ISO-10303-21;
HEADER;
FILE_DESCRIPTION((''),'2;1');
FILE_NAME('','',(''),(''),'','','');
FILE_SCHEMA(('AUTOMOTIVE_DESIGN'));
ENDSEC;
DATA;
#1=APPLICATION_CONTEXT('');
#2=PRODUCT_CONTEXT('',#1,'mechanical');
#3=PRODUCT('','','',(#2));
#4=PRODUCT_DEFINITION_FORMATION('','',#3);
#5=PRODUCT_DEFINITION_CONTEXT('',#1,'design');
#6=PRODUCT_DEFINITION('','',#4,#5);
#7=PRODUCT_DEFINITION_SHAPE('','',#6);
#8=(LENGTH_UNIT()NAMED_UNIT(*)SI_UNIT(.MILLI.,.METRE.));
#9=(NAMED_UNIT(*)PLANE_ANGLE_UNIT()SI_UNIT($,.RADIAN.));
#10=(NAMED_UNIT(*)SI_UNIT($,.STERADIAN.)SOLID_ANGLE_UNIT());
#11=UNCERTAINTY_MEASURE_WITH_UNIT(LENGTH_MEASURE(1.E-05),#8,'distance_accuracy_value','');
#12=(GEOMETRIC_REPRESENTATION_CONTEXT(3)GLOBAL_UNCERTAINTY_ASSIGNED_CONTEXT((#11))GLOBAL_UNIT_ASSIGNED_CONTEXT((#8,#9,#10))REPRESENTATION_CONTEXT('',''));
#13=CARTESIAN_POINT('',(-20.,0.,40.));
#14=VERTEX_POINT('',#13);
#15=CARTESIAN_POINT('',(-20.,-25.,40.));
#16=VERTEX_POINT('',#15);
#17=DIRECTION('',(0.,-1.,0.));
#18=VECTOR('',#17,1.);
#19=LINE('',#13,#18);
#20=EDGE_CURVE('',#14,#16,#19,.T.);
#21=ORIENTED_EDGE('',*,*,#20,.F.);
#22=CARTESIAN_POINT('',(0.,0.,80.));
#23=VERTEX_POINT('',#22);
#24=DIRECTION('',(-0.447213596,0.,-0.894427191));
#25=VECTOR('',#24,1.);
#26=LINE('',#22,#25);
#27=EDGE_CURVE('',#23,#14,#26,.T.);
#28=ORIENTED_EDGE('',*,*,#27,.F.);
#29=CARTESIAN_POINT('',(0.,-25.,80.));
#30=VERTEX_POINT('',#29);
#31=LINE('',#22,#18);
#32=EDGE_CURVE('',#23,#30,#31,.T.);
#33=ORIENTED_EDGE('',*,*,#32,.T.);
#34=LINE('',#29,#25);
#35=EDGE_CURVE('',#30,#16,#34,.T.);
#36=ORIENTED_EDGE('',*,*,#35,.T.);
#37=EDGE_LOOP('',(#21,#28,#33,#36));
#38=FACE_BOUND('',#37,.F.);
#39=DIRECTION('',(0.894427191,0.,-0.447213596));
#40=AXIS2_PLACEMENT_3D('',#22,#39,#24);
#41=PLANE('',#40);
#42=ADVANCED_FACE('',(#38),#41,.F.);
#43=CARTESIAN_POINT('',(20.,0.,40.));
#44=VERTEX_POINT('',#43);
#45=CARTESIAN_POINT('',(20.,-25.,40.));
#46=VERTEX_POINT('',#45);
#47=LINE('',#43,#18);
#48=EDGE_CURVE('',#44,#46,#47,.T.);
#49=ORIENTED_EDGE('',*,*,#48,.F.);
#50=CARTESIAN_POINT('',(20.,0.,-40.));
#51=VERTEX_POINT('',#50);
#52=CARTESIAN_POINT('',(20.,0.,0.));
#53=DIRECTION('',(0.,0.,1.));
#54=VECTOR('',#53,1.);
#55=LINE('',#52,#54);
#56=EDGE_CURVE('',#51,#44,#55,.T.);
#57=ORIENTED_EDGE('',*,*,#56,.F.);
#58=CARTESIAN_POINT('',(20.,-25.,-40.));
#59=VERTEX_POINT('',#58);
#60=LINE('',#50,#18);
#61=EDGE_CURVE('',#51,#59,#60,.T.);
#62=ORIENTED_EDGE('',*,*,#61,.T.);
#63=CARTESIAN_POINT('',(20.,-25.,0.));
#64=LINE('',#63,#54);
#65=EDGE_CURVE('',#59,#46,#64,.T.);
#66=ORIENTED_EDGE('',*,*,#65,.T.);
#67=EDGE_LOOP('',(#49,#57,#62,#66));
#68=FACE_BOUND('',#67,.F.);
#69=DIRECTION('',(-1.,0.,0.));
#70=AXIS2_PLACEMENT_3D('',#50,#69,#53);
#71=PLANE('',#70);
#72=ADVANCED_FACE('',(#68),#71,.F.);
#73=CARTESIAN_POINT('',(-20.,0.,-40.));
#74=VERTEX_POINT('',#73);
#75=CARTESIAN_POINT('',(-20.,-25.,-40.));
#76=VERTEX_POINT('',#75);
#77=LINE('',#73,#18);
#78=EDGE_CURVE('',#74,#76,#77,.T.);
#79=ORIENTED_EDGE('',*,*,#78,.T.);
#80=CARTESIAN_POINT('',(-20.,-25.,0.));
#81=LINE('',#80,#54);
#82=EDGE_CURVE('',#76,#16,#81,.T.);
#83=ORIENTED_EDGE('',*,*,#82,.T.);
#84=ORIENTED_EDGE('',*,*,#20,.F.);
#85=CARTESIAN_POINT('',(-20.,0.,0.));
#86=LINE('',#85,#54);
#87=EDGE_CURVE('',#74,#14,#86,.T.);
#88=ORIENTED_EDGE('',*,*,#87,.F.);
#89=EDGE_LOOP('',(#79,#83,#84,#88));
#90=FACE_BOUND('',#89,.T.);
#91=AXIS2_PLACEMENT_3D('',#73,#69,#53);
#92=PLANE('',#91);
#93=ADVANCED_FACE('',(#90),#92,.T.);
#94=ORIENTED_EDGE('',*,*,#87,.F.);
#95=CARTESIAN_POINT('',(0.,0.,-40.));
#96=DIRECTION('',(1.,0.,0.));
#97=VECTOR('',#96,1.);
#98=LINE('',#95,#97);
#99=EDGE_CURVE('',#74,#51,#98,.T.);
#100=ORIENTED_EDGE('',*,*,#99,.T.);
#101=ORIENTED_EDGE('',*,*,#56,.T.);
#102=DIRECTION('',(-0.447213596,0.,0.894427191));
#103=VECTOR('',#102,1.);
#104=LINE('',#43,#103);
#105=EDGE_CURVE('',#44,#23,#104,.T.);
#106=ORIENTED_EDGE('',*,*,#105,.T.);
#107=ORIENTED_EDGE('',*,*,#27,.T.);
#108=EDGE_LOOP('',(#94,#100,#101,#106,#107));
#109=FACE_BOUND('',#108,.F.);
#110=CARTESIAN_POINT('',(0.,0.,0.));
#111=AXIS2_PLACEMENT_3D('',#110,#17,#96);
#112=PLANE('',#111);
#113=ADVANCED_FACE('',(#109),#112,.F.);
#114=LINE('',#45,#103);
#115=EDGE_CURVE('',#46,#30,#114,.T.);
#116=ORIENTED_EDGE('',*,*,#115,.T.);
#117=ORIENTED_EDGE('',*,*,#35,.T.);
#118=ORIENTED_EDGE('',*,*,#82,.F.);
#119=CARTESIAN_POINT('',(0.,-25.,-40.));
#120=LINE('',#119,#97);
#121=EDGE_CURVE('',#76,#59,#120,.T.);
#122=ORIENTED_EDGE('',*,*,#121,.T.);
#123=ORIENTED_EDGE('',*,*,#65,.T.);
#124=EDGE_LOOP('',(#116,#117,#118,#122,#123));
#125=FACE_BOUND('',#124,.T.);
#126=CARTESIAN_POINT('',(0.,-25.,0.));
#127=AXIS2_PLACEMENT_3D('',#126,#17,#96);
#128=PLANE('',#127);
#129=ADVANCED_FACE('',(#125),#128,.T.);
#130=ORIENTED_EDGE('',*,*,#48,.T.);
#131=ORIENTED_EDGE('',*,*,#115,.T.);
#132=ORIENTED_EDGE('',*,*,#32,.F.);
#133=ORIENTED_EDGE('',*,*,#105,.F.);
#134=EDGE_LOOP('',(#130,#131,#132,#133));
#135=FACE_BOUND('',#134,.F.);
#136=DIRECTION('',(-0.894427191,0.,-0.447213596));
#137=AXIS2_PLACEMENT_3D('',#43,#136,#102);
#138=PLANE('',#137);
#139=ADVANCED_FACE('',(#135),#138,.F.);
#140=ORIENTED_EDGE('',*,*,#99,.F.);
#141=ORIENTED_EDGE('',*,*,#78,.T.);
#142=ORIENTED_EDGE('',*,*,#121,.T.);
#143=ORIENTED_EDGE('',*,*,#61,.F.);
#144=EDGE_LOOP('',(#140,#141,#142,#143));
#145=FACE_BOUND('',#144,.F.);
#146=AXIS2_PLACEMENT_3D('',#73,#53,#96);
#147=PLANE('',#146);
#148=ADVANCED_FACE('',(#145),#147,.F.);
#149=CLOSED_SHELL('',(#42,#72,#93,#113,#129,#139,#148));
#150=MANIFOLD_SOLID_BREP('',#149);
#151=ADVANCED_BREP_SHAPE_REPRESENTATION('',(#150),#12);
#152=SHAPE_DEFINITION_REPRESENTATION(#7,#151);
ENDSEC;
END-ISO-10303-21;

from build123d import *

# Parameters (mm, degrees)
F0_W     = 40
F0_H     = 80
F1_DEPTH = 25


with BuildPart() as f1:
    # F0 (on Front) → F1 (new body)
    with BuildSketch(Plane.XZ):
        Rectangle(F0_W, F0_H)
        Polygon((-20, 40), (20, 40), (0, 80), align=None)
    extrude(amount=F1_DEPTH)


solid = f1.part
